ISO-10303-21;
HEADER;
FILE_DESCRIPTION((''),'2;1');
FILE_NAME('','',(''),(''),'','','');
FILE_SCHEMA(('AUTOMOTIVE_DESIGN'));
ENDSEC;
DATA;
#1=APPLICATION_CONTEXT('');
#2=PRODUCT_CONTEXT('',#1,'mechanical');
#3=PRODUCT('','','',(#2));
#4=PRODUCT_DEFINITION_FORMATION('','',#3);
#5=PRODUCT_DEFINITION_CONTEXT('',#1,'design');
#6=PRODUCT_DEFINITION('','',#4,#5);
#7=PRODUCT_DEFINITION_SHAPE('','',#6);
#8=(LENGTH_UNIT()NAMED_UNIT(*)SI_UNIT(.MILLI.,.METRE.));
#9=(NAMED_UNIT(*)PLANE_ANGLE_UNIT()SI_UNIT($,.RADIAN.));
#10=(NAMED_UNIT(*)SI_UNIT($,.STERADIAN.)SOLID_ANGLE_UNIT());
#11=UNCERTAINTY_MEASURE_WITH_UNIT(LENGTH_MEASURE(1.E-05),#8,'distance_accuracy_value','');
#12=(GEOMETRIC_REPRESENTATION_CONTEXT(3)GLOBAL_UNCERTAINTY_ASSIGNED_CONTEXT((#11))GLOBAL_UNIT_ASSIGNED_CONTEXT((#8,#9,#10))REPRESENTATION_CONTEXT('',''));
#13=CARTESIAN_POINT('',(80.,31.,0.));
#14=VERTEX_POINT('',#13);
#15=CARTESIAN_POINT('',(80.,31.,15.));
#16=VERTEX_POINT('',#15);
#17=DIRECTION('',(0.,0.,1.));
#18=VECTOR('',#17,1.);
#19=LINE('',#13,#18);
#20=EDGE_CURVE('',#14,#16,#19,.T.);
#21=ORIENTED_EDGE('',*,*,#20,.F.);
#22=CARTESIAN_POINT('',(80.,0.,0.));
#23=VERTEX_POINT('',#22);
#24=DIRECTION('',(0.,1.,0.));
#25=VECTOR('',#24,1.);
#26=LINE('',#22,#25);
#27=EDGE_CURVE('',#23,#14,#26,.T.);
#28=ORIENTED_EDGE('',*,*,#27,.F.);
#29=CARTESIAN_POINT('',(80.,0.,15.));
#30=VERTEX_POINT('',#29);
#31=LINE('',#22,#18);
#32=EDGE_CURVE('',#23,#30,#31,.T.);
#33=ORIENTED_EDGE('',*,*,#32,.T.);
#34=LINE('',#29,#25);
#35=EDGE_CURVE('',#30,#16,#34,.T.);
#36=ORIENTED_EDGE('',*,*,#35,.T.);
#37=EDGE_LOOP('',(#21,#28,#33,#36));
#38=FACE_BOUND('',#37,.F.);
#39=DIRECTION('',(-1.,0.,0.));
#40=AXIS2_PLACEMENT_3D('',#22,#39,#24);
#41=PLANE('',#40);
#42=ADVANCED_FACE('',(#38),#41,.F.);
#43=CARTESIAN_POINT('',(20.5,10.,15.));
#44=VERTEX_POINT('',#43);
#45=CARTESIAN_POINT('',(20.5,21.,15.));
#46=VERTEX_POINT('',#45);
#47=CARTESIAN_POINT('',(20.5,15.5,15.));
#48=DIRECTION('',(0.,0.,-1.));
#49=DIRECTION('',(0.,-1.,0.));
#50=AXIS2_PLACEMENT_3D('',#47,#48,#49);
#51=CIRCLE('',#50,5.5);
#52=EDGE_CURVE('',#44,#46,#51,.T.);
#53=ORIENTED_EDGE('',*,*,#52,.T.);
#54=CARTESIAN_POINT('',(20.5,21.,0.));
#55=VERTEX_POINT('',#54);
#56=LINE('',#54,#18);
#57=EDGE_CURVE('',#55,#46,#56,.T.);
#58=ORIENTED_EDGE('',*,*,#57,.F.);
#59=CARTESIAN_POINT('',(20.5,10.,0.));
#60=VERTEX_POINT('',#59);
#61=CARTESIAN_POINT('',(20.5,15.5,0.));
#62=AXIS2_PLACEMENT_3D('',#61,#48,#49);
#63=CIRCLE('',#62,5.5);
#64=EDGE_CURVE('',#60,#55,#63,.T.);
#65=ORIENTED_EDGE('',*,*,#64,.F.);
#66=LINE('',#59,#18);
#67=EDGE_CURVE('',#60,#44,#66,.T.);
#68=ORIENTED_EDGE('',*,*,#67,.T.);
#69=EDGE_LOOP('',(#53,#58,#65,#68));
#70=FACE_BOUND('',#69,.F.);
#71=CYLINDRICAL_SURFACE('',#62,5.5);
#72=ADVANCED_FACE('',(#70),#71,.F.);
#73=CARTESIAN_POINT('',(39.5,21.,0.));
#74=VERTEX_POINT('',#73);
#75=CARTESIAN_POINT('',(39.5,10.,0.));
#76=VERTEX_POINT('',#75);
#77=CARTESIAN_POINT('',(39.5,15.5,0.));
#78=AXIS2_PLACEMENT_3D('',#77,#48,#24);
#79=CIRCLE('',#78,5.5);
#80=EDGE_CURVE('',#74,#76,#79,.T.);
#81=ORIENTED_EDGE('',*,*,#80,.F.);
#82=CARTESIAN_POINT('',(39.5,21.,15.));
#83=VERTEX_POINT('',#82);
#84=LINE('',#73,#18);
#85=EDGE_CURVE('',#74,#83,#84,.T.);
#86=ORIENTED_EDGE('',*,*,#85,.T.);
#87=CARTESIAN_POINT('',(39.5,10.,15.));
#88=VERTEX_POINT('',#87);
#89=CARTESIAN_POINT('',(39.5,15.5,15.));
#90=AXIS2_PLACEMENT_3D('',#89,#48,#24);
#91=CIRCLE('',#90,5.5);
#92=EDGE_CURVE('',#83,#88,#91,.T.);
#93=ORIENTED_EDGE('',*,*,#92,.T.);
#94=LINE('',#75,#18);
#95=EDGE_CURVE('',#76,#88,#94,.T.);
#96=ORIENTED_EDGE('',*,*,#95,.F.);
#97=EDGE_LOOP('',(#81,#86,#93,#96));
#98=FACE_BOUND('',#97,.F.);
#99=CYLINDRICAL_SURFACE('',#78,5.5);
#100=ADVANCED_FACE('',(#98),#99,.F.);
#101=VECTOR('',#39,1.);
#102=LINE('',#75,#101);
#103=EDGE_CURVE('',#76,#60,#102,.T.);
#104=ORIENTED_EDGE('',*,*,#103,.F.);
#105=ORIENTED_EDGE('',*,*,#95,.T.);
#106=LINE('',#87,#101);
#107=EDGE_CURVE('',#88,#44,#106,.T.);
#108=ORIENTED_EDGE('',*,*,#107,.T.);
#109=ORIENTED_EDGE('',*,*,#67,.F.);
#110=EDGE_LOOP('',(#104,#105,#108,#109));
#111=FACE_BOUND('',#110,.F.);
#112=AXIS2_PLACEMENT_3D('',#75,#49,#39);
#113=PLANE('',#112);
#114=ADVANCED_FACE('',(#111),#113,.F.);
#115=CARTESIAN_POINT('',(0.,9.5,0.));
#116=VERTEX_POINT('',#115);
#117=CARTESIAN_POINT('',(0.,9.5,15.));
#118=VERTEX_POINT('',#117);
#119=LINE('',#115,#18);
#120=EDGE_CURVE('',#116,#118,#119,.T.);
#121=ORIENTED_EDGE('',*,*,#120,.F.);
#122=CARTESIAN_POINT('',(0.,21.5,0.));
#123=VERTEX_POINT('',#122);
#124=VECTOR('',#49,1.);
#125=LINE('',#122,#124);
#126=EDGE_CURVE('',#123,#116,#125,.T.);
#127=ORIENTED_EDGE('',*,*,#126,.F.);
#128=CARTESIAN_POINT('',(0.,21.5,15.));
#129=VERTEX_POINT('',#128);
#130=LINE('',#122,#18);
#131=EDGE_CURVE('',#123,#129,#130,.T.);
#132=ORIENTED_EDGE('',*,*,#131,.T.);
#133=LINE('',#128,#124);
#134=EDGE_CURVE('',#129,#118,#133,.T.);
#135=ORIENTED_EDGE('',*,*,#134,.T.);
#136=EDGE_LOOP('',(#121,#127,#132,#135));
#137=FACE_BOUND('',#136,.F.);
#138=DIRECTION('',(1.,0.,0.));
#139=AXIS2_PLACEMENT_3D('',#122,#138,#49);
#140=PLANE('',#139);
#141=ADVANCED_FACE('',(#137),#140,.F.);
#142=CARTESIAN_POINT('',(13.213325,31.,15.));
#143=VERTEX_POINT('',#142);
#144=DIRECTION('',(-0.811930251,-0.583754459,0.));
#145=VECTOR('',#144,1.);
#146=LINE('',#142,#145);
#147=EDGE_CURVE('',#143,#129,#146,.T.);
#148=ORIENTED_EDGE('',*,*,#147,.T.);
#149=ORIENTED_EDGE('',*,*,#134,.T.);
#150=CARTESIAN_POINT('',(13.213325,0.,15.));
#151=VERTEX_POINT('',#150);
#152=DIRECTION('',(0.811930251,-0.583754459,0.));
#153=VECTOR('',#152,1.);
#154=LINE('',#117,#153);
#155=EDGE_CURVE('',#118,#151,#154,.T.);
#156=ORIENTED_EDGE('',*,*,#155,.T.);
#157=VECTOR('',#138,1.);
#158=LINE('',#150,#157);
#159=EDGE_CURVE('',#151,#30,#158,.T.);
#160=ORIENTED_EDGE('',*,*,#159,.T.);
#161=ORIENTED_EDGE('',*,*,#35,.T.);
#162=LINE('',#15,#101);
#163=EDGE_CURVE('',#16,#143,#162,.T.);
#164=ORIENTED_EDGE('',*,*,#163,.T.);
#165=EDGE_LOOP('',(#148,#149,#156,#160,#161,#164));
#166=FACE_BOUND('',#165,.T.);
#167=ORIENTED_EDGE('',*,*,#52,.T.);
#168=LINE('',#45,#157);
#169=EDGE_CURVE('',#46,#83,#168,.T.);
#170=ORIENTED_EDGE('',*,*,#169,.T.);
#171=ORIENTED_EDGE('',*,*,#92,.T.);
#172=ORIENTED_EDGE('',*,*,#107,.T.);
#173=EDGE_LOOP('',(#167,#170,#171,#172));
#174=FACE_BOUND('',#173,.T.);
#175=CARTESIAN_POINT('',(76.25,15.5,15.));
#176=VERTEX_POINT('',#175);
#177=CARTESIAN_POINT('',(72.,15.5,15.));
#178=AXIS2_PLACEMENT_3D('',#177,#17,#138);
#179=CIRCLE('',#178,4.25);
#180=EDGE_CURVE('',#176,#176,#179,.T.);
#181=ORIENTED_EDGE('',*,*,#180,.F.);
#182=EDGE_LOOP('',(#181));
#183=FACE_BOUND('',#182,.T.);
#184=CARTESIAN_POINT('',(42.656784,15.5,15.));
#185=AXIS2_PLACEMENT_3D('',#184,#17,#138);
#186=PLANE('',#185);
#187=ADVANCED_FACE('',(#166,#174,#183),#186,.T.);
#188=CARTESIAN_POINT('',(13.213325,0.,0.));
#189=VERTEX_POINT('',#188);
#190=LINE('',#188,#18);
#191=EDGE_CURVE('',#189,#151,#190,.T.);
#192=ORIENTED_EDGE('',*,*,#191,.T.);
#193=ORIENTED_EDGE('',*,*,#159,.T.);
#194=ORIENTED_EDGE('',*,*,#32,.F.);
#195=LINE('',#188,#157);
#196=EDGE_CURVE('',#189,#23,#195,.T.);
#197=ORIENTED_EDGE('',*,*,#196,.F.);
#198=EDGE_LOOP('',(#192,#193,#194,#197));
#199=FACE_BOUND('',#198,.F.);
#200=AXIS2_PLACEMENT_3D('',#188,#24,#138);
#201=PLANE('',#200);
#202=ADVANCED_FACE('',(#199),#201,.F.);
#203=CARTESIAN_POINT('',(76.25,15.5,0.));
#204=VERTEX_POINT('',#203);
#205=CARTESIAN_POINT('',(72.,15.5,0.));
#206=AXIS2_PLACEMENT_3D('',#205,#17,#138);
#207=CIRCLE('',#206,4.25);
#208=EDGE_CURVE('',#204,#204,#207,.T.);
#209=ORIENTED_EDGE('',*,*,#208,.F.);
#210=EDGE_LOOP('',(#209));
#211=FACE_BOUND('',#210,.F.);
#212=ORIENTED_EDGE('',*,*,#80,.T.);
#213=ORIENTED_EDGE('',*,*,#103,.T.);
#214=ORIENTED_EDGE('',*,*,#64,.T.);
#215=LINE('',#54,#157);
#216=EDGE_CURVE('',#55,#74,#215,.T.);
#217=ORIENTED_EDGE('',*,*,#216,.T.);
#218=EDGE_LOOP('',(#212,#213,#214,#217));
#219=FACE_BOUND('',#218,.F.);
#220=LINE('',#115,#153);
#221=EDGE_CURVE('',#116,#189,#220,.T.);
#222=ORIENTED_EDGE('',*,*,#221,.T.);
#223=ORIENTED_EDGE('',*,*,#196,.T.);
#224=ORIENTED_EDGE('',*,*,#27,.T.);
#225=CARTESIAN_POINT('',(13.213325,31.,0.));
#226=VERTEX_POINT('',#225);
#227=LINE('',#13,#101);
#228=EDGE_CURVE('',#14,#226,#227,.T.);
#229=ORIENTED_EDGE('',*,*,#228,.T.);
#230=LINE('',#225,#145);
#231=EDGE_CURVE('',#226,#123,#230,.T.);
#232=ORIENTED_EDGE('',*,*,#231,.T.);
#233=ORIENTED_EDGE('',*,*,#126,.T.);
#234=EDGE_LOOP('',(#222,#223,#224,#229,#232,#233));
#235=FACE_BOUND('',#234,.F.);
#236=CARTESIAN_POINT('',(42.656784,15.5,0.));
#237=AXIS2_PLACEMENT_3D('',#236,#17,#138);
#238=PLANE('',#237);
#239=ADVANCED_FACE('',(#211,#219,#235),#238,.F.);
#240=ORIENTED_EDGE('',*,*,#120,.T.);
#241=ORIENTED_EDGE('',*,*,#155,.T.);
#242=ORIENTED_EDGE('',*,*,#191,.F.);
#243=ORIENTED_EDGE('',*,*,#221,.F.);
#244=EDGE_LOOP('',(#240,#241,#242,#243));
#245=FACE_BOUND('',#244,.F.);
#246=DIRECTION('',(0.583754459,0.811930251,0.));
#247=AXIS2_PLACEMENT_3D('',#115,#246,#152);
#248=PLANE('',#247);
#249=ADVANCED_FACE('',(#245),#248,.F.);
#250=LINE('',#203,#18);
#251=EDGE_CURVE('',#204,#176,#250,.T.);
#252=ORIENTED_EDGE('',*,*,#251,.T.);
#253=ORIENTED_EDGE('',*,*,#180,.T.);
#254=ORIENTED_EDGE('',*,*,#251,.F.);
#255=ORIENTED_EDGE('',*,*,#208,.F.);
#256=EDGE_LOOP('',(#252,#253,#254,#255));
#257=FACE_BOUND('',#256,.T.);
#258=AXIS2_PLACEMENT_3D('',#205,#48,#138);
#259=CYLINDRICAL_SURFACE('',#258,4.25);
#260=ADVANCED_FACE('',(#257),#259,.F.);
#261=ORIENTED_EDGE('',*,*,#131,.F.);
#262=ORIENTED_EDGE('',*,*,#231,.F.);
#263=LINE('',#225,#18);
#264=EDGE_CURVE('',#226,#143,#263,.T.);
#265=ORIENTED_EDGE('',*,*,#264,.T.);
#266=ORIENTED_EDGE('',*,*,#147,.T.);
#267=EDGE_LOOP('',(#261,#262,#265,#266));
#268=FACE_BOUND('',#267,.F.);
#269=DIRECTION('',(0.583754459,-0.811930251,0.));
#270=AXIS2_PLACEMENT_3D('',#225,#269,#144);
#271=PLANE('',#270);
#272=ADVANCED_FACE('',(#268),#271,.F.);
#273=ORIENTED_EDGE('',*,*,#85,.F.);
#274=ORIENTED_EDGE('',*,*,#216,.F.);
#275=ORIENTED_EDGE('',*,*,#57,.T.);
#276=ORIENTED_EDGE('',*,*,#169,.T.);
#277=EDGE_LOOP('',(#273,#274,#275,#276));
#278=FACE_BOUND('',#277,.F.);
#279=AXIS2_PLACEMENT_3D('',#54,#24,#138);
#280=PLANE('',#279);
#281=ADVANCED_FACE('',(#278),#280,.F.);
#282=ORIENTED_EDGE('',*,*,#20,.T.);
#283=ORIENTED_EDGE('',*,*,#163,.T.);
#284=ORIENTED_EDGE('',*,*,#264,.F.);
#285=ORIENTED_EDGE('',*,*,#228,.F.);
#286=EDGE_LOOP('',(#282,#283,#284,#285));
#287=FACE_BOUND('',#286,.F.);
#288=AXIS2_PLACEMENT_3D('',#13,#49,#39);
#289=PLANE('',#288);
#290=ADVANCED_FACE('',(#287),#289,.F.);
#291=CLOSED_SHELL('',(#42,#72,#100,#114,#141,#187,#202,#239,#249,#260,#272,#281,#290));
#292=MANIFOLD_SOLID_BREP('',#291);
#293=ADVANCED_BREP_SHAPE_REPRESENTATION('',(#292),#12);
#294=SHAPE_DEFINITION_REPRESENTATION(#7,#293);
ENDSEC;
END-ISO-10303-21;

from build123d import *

# Parameters (mm, degrees)
F0_R     = 4.25
F1_DEPTH = 15


with BuildPart() as f1:
    # F0 (on Top) → F1 (new body)
    with BuildSketch(Plane.XY):
        Polygon((13.213325, 0), (80, 0), (80, 31), (13.213325, 31), (0, 21.5), (0, 9.5), align=None)
        with BuildLine():
            Line((20.5, 21), (39.5, 21))
            ThreePointArc((39.5, 21), (45, 15.5), (39.5, 10))
            Line((39.5, 10), (20.5, 10))
            ThreePointArc((20.5, 10), (15, 15.5), (20.5, 21))
        make_face(mode=Mode.SUBTRACT)
        with Locations((72, 15.5)):
            Circle(F0_R, mode=Mode.SUBTRACT)
    extrude(amount=F1_DEPTH)


solid = f1.part
